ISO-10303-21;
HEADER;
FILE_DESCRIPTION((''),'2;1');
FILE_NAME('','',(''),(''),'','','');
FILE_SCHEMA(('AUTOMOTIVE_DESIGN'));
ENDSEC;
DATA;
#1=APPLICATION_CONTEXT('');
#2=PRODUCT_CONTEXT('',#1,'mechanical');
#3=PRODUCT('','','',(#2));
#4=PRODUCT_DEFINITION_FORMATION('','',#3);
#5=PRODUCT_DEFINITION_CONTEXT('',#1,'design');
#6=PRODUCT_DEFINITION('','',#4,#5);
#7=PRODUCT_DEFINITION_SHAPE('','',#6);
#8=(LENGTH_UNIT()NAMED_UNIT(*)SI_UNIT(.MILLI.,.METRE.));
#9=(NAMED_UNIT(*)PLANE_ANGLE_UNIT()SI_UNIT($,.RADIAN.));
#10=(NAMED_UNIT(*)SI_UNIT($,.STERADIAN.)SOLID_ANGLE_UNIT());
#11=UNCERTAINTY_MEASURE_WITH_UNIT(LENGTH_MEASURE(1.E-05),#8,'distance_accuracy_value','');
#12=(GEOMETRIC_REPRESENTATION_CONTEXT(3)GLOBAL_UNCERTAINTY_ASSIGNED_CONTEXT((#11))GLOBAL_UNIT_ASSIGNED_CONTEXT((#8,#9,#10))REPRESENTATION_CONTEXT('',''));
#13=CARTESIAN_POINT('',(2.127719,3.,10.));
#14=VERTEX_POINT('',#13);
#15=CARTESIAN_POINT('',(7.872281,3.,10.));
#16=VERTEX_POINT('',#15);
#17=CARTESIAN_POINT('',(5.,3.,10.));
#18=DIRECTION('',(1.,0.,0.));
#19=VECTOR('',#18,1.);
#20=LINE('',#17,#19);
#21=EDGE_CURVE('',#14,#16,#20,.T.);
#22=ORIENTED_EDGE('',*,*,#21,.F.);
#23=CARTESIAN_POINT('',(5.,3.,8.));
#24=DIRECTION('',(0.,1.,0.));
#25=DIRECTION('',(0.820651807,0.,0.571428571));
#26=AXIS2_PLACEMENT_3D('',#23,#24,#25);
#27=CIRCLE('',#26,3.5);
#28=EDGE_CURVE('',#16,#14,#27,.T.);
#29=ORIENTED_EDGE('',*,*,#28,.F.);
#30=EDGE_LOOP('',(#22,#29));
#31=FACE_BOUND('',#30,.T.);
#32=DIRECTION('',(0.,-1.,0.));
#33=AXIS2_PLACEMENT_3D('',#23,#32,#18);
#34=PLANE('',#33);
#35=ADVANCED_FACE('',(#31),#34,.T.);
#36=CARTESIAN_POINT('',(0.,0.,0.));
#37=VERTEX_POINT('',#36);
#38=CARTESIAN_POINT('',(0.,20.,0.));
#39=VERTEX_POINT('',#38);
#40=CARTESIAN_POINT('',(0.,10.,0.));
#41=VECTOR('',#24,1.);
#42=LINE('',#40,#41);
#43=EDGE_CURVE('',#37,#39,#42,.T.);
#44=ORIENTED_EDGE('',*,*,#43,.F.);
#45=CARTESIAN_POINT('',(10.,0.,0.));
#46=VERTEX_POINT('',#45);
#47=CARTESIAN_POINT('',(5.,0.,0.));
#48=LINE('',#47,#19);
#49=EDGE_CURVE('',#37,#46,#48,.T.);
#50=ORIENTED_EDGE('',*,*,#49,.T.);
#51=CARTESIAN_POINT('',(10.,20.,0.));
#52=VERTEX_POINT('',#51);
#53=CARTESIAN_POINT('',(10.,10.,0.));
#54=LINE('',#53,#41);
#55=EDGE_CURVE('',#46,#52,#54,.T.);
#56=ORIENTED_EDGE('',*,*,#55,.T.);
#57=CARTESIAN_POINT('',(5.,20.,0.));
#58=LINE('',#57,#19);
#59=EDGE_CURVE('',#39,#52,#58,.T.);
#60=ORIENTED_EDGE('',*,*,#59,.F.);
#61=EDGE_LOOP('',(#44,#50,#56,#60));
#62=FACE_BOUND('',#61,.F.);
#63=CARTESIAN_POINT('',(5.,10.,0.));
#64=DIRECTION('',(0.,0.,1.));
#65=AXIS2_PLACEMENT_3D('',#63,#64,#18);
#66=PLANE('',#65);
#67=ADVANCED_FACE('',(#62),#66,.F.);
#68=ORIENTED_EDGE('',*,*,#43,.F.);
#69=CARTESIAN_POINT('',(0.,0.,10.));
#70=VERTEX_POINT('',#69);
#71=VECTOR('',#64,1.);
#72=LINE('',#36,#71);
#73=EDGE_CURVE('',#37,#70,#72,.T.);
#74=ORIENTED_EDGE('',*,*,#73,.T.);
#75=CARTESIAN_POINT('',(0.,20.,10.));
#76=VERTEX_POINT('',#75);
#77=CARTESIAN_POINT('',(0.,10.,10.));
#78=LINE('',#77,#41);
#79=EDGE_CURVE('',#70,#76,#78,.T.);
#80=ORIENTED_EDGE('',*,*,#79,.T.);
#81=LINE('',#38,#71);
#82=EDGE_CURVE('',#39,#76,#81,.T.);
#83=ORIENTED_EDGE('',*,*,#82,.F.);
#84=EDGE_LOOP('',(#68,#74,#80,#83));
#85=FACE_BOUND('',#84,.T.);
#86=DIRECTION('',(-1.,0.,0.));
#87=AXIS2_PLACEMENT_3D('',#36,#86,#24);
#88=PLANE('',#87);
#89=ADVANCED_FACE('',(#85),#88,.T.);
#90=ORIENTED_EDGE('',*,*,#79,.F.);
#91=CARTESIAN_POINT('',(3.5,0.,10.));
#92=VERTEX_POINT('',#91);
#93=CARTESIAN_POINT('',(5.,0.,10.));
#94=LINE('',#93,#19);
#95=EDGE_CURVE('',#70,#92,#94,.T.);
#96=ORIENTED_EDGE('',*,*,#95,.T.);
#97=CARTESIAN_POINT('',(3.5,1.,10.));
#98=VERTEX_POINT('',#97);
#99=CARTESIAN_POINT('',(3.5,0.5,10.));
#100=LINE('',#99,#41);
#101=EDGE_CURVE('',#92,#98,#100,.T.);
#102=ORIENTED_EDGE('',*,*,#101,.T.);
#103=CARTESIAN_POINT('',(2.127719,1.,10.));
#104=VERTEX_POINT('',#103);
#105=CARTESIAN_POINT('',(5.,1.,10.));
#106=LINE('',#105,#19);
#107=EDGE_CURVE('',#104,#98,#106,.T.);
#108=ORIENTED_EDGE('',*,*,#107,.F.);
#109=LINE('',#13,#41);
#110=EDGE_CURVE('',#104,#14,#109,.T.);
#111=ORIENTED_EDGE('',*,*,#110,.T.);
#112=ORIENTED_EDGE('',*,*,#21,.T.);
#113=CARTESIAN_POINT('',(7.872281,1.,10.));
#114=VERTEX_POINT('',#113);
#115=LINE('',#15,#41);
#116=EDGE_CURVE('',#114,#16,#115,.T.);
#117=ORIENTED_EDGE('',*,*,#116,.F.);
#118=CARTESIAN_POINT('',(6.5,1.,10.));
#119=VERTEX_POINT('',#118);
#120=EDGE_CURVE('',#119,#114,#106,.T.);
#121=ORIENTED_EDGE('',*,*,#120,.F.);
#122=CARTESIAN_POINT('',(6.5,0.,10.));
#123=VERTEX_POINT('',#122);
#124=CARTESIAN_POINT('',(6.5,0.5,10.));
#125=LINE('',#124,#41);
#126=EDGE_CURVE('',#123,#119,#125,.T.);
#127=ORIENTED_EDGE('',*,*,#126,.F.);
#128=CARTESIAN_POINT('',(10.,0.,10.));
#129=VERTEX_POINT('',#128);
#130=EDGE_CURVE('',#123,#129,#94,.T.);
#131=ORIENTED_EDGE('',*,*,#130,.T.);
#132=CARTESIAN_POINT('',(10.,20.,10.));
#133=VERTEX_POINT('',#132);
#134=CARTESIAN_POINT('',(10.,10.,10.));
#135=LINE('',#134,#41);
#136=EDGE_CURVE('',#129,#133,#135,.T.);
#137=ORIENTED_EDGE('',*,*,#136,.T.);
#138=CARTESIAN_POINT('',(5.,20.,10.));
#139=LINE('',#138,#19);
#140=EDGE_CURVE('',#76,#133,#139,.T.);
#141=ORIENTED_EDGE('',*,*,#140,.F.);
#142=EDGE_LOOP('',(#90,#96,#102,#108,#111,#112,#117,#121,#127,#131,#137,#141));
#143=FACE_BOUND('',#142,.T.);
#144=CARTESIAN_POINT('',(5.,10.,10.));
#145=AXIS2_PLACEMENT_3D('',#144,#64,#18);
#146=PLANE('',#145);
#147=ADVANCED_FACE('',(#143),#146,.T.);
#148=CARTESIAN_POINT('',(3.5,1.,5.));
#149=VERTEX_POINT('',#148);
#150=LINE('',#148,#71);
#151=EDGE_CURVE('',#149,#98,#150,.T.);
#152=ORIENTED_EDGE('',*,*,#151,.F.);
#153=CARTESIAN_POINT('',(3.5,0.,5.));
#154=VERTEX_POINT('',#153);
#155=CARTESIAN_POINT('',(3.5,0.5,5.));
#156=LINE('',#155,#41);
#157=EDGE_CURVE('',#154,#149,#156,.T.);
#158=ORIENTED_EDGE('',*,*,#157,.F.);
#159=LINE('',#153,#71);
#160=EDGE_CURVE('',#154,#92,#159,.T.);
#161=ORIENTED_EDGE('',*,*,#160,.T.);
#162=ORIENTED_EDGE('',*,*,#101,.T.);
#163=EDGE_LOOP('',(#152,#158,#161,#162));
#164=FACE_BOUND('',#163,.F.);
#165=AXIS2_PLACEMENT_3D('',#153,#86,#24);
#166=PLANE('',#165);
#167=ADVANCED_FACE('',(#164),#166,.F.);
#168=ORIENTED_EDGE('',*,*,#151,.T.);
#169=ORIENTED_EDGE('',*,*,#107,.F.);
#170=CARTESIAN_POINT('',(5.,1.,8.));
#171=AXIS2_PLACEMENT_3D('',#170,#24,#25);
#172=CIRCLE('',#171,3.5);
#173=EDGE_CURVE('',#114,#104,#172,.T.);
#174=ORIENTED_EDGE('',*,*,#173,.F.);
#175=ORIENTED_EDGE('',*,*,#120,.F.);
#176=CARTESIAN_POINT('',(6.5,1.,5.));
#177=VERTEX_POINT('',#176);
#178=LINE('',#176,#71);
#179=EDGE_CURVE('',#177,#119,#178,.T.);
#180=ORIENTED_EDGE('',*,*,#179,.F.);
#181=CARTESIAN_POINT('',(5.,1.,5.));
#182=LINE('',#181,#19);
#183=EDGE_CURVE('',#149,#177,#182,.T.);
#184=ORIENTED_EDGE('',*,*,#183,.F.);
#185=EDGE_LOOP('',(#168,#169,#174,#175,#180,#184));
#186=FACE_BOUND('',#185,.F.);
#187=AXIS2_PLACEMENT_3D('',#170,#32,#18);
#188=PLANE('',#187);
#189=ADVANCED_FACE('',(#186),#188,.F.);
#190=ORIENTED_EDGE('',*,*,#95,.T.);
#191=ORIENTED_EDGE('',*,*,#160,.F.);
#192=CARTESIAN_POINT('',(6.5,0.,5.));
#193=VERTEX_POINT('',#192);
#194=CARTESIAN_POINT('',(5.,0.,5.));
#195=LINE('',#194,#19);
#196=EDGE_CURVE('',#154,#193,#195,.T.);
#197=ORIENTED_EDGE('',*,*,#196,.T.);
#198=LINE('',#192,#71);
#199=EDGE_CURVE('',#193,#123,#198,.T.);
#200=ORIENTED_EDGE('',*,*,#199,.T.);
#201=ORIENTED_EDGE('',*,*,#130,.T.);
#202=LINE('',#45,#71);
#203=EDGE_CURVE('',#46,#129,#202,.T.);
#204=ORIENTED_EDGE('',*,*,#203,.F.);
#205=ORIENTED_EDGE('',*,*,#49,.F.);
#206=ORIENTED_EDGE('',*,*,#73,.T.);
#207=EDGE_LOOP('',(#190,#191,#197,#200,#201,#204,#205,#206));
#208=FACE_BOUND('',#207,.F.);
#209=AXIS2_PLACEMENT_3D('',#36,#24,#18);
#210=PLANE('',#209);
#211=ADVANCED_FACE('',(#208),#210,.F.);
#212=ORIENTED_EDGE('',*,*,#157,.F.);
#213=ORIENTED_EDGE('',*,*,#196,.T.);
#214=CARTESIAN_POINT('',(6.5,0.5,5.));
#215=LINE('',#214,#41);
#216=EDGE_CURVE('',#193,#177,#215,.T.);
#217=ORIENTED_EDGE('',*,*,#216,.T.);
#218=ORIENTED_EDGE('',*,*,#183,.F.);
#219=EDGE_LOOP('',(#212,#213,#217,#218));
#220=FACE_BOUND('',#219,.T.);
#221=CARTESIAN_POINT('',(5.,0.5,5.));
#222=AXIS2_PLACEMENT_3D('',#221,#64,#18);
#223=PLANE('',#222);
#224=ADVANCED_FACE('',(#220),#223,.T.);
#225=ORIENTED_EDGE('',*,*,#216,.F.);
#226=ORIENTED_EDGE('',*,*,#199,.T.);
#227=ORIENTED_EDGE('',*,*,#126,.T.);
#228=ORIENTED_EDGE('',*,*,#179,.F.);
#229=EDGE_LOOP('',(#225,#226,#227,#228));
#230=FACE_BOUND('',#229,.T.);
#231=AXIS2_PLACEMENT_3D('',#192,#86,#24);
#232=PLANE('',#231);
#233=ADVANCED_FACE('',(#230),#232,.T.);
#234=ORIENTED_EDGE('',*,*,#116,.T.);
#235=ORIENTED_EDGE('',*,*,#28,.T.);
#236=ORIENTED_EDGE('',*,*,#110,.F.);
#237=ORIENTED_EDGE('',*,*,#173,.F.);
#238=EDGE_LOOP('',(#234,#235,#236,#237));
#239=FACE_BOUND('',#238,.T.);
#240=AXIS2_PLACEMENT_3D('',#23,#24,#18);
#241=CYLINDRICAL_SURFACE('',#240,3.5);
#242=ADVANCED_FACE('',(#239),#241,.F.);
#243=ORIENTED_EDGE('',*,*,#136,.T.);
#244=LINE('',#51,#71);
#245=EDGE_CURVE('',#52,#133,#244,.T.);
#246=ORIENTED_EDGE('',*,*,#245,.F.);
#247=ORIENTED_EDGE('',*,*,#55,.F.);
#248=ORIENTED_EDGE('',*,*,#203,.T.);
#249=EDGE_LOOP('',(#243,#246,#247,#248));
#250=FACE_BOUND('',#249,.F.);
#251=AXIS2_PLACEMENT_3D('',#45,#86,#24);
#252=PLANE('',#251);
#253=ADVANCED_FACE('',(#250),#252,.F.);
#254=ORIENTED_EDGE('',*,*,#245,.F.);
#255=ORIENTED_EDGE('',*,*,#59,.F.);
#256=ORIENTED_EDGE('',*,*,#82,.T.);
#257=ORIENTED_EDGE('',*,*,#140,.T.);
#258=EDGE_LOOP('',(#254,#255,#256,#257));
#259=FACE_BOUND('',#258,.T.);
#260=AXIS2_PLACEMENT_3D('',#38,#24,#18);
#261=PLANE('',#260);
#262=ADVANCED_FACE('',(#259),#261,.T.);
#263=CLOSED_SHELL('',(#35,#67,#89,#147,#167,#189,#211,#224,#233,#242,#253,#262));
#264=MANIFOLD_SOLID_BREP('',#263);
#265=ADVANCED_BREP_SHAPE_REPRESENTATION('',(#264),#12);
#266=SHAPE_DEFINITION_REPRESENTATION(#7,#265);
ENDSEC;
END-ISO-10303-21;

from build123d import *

# Parameters (mm, degrees)
BOX001_W            = 3
BOX001_H            = 1
BOX001_DEPTH        = 5
CYLINDER_R          = 3.5
CYLINDER_DEPTH      = 2
CYLINDER_ROLL_ANGLE = 90
BOX_W               = 10
BOX_H               = 20
BOX_DEPTH           = 10


with BuildPart() as cube:
    # Box001 → Box001 (new body)
    with BuildSketch(Plane(origin=(3.5, 0, 5), x_dir=(1, 0, 0), z_dir=(0, 0, 1))):
        with Locations((1.5, 0.5)):
            Rectangle(BOX001_W, BOX001_H)
    extrude(amount=BOX001_DEPTH)


with BuildPart() as solenoid_head_slot:
    # Cylinder → Cylinder (new body)
    with BuildSketch(Plane.XY):
        Circle(CYLINDER_R)
    extrude(amount=CYLINDER_DEPTH)


with BuildPart() as solenoid_head_slot_1:
    # Cylinder roll: moved
    add(solenoid_head_slot.part.rotate(Axis((0, 0, 0), (1, 0, 0)), CYLINDER_ROLL_ANGLE))


with BuildPart() as solenoid_head_slot_2:
    # Cylinder placement: moved
    add(solenoid_head_slot_1.part.moved(Location((5, 3, 8))))


with BuildPart() as cut001:
    # Box → Box (new body)
    with BuildSketch(Plane.XY):
        with Locations((5, 10)):
            Rectangle(BOX_W, BOX_H)
    extrude(amount=BOX_DEPTH)

    # Cut: cut solenoid_head_slot
    add(solenoid_head_slot_2.part, mode=Mode.SUBTRACT)

    # Cut001: cut Cube
    add(cube.part, mode=Mode.SUBTRACT)


solid = cut001.part
